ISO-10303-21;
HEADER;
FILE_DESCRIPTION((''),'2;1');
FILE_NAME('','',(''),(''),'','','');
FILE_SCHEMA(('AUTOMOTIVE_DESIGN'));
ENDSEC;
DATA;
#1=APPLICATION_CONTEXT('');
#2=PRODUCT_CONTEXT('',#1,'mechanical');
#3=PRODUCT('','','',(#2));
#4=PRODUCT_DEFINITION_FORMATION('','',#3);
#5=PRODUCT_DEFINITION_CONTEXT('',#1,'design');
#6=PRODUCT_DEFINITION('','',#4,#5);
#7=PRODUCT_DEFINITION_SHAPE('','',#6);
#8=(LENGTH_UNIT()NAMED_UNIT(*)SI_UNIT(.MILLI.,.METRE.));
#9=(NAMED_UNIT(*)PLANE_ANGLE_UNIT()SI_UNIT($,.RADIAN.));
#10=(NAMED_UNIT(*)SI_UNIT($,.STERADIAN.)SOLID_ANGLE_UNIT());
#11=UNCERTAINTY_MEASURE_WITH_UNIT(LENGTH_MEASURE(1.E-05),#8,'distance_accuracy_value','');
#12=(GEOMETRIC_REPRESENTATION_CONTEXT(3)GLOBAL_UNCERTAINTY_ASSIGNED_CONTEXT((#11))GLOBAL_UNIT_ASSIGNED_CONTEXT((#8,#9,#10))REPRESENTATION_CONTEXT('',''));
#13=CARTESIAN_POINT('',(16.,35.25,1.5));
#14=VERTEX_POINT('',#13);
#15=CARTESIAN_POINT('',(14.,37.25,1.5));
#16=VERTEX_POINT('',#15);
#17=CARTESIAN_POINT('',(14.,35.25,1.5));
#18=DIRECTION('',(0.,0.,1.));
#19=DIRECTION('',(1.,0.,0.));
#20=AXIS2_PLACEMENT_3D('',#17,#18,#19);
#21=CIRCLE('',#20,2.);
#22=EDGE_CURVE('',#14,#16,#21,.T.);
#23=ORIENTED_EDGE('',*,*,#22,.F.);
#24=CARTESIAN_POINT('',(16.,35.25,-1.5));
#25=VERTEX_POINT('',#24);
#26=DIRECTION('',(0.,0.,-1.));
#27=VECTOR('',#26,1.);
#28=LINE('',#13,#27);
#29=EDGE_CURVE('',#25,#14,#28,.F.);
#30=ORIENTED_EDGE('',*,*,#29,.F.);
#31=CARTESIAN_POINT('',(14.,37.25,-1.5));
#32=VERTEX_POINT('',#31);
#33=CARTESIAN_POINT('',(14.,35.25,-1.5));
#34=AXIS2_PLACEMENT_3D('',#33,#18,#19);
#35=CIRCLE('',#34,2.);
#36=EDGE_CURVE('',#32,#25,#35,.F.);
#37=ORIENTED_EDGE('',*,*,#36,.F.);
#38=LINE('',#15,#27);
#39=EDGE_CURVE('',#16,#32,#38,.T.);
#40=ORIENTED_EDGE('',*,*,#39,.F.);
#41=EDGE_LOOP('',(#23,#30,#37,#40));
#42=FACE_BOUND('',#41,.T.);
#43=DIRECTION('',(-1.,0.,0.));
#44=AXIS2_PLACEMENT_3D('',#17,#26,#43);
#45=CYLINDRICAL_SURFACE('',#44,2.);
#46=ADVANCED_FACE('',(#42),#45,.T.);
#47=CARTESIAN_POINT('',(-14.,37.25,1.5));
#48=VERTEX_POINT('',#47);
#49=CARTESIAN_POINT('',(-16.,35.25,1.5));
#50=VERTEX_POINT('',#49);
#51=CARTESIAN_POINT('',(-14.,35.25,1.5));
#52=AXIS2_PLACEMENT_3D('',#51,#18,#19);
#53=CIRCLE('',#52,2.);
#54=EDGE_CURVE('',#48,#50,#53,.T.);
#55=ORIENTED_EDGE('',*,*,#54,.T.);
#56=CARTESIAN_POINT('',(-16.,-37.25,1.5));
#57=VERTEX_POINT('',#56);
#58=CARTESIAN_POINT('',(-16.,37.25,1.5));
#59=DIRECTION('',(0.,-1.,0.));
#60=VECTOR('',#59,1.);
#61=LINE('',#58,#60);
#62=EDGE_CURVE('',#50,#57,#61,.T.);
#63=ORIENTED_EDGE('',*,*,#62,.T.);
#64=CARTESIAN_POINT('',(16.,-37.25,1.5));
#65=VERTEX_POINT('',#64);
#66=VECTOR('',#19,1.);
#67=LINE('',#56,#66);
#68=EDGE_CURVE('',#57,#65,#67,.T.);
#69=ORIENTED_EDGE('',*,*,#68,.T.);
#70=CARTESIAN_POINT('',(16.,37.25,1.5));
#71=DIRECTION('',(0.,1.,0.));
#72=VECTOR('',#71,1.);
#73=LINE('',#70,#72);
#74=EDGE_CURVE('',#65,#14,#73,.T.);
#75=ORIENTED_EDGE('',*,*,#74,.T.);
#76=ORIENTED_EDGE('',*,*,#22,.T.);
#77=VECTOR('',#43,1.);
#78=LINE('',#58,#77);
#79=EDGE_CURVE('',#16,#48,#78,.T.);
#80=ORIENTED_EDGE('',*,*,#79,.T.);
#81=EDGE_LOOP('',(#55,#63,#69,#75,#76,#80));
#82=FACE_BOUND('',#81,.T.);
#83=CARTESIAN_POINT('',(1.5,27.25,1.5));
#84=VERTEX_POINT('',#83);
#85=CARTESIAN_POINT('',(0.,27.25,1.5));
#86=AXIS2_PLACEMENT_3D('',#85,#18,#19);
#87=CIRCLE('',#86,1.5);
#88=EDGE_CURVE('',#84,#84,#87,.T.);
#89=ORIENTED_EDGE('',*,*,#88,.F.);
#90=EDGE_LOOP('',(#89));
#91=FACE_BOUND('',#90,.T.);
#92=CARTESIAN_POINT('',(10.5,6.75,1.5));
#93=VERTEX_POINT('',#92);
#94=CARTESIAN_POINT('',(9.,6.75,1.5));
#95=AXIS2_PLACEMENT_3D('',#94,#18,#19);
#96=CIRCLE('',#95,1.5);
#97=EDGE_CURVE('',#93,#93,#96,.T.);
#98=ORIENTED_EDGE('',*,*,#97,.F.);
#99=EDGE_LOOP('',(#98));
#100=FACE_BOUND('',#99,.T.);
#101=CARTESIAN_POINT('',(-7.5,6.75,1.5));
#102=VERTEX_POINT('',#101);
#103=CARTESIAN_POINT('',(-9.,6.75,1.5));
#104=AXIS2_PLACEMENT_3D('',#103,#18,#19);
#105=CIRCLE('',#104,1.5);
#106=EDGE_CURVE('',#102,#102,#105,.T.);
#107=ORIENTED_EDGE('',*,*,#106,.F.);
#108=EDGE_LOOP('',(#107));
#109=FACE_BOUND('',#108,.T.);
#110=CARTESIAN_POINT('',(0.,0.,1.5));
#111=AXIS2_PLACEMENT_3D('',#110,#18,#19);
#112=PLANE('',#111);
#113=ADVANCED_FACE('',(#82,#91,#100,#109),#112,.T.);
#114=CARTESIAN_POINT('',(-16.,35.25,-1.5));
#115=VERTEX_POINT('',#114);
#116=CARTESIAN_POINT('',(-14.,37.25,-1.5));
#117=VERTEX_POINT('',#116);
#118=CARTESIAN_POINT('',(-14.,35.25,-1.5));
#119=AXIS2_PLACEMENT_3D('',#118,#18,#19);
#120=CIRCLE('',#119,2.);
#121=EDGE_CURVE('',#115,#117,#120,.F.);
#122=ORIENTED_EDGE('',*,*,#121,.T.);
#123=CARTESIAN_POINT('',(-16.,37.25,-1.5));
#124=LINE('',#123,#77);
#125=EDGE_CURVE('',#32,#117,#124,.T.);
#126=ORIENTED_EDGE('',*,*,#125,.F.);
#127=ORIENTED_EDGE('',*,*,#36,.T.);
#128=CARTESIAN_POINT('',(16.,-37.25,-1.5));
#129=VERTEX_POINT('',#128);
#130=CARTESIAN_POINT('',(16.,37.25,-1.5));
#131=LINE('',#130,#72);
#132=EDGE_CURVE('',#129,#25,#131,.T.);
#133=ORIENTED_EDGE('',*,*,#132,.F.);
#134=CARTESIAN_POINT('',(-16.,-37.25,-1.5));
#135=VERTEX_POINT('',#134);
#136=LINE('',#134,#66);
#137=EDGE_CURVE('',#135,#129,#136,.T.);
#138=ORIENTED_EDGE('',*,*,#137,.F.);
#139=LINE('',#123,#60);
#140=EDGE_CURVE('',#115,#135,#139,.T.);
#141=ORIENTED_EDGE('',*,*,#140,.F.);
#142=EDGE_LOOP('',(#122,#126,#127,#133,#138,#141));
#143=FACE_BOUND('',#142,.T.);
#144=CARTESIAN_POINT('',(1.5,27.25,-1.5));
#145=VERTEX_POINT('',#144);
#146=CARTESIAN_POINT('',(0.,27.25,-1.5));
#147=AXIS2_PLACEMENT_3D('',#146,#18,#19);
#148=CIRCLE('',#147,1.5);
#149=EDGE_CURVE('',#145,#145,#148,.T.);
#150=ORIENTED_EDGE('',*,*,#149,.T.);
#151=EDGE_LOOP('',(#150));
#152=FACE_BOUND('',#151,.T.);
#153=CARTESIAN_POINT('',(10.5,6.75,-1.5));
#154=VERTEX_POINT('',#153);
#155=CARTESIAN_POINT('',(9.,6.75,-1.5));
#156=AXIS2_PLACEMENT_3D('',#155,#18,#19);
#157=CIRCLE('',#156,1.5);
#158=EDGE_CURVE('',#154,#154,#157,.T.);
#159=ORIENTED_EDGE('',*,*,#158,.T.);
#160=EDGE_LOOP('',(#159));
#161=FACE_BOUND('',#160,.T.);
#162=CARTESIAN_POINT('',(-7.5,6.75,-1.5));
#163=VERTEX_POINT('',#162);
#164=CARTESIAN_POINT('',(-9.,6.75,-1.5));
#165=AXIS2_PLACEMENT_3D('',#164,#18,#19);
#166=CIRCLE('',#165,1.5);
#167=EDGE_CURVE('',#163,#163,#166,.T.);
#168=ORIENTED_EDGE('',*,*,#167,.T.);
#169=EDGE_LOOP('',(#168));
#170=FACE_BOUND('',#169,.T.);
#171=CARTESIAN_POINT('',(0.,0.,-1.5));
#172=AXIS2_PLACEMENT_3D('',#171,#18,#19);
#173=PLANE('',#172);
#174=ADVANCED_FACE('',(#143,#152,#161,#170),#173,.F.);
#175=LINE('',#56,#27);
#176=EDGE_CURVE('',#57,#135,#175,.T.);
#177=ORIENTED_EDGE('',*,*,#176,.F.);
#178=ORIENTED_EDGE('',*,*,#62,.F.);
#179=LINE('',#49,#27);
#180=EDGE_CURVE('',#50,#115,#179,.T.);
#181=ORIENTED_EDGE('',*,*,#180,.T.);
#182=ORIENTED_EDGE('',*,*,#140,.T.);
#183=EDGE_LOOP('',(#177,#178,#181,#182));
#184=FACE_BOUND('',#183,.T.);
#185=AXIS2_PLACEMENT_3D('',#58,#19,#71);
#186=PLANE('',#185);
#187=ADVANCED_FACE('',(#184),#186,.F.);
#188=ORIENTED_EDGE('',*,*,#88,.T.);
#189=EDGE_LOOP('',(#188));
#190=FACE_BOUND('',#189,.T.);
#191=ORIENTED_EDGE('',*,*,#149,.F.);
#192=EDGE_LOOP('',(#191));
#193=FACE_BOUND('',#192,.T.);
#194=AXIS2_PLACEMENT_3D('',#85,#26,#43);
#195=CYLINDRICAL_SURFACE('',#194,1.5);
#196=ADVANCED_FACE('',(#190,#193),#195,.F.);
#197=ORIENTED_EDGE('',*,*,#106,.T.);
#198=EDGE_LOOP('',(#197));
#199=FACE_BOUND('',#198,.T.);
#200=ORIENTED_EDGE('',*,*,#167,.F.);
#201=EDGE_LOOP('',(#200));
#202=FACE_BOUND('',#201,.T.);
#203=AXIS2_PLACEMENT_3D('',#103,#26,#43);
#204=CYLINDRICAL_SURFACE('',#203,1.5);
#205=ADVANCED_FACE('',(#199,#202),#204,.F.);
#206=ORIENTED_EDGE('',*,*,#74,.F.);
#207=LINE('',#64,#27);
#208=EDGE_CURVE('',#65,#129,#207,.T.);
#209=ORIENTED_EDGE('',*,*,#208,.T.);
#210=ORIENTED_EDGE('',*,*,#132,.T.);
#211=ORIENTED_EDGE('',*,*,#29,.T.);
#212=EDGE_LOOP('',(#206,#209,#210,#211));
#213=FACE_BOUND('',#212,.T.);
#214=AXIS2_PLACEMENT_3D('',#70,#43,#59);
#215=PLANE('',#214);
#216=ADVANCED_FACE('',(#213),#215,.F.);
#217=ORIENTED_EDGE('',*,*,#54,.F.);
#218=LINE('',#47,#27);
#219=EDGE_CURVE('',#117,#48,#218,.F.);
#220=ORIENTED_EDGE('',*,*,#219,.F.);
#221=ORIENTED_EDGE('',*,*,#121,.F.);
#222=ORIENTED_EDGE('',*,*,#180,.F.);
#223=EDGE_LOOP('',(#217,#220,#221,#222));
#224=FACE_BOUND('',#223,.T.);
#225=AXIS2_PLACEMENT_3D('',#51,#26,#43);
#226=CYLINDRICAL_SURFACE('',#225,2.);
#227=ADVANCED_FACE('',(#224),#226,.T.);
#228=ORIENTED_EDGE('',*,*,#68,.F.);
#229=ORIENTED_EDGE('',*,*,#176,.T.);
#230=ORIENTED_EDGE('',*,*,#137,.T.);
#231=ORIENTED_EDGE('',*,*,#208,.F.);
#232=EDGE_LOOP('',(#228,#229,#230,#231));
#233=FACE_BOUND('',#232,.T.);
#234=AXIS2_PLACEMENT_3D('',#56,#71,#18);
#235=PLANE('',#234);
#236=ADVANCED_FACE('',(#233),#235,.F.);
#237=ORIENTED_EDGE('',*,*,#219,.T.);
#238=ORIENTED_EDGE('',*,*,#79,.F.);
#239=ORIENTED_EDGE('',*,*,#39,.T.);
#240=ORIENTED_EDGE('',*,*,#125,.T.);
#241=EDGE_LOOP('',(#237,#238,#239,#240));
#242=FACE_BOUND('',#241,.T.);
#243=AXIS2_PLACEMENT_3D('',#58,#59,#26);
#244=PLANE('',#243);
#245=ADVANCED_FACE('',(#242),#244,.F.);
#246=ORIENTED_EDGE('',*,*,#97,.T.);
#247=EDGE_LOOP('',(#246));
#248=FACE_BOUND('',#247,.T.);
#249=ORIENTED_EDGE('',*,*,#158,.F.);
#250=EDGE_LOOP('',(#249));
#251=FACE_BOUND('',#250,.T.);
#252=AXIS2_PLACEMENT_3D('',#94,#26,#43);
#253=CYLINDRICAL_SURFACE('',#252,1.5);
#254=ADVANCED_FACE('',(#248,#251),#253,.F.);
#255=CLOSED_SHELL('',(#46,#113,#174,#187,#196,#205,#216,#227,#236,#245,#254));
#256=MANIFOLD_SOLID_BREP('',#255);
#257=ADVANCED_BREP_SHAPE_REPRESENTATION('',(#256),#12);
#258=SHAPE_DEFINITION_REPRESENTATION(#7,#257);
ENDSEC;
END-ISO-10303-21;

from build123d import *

# Parameters (mm, degrees)
CROQUIS1_W              = 32
CROQUIS1_H              = 74.5
CROQUIS1_R              = 1.5
SALIENTE_EXTRUIR1_DEPTH = 1.5
REDONDEO1_R             = 2


with BuildPart() as part:
    # Croquis1 → Saliente-Extruir1 (new, symmetric)
    with BuildSketch(Plane.XY):
        Rectangle(CROQUIS1_W, CROQUIS1_H)
        with Locations((0, 27.25)):
            Circle(CROQUIS1_R, mode=Mode.SUBTRACT)
        with Locations((-9, 6.75)):
            Circle(CROQUIS1_R, mode=Mode.SUBTRACT)
        with Locations((9, 6.75)):
            Circle(CROQUIS1_R, mode=Mode.SUBTRACT)
    extrude(amount=SALIENTE_EXTRUIR1_DEPTH, both=True)

    # Redondeo1
    redondeo1_edges = [part.edges().sort_by_distance(p)[0] for p in [
        (-16, 37.25, 0),
        (16, 37.25, 0),
    ]]
    fillet(redondeo1_edges, radius=REDONDEO1_R)


solid = part.part
